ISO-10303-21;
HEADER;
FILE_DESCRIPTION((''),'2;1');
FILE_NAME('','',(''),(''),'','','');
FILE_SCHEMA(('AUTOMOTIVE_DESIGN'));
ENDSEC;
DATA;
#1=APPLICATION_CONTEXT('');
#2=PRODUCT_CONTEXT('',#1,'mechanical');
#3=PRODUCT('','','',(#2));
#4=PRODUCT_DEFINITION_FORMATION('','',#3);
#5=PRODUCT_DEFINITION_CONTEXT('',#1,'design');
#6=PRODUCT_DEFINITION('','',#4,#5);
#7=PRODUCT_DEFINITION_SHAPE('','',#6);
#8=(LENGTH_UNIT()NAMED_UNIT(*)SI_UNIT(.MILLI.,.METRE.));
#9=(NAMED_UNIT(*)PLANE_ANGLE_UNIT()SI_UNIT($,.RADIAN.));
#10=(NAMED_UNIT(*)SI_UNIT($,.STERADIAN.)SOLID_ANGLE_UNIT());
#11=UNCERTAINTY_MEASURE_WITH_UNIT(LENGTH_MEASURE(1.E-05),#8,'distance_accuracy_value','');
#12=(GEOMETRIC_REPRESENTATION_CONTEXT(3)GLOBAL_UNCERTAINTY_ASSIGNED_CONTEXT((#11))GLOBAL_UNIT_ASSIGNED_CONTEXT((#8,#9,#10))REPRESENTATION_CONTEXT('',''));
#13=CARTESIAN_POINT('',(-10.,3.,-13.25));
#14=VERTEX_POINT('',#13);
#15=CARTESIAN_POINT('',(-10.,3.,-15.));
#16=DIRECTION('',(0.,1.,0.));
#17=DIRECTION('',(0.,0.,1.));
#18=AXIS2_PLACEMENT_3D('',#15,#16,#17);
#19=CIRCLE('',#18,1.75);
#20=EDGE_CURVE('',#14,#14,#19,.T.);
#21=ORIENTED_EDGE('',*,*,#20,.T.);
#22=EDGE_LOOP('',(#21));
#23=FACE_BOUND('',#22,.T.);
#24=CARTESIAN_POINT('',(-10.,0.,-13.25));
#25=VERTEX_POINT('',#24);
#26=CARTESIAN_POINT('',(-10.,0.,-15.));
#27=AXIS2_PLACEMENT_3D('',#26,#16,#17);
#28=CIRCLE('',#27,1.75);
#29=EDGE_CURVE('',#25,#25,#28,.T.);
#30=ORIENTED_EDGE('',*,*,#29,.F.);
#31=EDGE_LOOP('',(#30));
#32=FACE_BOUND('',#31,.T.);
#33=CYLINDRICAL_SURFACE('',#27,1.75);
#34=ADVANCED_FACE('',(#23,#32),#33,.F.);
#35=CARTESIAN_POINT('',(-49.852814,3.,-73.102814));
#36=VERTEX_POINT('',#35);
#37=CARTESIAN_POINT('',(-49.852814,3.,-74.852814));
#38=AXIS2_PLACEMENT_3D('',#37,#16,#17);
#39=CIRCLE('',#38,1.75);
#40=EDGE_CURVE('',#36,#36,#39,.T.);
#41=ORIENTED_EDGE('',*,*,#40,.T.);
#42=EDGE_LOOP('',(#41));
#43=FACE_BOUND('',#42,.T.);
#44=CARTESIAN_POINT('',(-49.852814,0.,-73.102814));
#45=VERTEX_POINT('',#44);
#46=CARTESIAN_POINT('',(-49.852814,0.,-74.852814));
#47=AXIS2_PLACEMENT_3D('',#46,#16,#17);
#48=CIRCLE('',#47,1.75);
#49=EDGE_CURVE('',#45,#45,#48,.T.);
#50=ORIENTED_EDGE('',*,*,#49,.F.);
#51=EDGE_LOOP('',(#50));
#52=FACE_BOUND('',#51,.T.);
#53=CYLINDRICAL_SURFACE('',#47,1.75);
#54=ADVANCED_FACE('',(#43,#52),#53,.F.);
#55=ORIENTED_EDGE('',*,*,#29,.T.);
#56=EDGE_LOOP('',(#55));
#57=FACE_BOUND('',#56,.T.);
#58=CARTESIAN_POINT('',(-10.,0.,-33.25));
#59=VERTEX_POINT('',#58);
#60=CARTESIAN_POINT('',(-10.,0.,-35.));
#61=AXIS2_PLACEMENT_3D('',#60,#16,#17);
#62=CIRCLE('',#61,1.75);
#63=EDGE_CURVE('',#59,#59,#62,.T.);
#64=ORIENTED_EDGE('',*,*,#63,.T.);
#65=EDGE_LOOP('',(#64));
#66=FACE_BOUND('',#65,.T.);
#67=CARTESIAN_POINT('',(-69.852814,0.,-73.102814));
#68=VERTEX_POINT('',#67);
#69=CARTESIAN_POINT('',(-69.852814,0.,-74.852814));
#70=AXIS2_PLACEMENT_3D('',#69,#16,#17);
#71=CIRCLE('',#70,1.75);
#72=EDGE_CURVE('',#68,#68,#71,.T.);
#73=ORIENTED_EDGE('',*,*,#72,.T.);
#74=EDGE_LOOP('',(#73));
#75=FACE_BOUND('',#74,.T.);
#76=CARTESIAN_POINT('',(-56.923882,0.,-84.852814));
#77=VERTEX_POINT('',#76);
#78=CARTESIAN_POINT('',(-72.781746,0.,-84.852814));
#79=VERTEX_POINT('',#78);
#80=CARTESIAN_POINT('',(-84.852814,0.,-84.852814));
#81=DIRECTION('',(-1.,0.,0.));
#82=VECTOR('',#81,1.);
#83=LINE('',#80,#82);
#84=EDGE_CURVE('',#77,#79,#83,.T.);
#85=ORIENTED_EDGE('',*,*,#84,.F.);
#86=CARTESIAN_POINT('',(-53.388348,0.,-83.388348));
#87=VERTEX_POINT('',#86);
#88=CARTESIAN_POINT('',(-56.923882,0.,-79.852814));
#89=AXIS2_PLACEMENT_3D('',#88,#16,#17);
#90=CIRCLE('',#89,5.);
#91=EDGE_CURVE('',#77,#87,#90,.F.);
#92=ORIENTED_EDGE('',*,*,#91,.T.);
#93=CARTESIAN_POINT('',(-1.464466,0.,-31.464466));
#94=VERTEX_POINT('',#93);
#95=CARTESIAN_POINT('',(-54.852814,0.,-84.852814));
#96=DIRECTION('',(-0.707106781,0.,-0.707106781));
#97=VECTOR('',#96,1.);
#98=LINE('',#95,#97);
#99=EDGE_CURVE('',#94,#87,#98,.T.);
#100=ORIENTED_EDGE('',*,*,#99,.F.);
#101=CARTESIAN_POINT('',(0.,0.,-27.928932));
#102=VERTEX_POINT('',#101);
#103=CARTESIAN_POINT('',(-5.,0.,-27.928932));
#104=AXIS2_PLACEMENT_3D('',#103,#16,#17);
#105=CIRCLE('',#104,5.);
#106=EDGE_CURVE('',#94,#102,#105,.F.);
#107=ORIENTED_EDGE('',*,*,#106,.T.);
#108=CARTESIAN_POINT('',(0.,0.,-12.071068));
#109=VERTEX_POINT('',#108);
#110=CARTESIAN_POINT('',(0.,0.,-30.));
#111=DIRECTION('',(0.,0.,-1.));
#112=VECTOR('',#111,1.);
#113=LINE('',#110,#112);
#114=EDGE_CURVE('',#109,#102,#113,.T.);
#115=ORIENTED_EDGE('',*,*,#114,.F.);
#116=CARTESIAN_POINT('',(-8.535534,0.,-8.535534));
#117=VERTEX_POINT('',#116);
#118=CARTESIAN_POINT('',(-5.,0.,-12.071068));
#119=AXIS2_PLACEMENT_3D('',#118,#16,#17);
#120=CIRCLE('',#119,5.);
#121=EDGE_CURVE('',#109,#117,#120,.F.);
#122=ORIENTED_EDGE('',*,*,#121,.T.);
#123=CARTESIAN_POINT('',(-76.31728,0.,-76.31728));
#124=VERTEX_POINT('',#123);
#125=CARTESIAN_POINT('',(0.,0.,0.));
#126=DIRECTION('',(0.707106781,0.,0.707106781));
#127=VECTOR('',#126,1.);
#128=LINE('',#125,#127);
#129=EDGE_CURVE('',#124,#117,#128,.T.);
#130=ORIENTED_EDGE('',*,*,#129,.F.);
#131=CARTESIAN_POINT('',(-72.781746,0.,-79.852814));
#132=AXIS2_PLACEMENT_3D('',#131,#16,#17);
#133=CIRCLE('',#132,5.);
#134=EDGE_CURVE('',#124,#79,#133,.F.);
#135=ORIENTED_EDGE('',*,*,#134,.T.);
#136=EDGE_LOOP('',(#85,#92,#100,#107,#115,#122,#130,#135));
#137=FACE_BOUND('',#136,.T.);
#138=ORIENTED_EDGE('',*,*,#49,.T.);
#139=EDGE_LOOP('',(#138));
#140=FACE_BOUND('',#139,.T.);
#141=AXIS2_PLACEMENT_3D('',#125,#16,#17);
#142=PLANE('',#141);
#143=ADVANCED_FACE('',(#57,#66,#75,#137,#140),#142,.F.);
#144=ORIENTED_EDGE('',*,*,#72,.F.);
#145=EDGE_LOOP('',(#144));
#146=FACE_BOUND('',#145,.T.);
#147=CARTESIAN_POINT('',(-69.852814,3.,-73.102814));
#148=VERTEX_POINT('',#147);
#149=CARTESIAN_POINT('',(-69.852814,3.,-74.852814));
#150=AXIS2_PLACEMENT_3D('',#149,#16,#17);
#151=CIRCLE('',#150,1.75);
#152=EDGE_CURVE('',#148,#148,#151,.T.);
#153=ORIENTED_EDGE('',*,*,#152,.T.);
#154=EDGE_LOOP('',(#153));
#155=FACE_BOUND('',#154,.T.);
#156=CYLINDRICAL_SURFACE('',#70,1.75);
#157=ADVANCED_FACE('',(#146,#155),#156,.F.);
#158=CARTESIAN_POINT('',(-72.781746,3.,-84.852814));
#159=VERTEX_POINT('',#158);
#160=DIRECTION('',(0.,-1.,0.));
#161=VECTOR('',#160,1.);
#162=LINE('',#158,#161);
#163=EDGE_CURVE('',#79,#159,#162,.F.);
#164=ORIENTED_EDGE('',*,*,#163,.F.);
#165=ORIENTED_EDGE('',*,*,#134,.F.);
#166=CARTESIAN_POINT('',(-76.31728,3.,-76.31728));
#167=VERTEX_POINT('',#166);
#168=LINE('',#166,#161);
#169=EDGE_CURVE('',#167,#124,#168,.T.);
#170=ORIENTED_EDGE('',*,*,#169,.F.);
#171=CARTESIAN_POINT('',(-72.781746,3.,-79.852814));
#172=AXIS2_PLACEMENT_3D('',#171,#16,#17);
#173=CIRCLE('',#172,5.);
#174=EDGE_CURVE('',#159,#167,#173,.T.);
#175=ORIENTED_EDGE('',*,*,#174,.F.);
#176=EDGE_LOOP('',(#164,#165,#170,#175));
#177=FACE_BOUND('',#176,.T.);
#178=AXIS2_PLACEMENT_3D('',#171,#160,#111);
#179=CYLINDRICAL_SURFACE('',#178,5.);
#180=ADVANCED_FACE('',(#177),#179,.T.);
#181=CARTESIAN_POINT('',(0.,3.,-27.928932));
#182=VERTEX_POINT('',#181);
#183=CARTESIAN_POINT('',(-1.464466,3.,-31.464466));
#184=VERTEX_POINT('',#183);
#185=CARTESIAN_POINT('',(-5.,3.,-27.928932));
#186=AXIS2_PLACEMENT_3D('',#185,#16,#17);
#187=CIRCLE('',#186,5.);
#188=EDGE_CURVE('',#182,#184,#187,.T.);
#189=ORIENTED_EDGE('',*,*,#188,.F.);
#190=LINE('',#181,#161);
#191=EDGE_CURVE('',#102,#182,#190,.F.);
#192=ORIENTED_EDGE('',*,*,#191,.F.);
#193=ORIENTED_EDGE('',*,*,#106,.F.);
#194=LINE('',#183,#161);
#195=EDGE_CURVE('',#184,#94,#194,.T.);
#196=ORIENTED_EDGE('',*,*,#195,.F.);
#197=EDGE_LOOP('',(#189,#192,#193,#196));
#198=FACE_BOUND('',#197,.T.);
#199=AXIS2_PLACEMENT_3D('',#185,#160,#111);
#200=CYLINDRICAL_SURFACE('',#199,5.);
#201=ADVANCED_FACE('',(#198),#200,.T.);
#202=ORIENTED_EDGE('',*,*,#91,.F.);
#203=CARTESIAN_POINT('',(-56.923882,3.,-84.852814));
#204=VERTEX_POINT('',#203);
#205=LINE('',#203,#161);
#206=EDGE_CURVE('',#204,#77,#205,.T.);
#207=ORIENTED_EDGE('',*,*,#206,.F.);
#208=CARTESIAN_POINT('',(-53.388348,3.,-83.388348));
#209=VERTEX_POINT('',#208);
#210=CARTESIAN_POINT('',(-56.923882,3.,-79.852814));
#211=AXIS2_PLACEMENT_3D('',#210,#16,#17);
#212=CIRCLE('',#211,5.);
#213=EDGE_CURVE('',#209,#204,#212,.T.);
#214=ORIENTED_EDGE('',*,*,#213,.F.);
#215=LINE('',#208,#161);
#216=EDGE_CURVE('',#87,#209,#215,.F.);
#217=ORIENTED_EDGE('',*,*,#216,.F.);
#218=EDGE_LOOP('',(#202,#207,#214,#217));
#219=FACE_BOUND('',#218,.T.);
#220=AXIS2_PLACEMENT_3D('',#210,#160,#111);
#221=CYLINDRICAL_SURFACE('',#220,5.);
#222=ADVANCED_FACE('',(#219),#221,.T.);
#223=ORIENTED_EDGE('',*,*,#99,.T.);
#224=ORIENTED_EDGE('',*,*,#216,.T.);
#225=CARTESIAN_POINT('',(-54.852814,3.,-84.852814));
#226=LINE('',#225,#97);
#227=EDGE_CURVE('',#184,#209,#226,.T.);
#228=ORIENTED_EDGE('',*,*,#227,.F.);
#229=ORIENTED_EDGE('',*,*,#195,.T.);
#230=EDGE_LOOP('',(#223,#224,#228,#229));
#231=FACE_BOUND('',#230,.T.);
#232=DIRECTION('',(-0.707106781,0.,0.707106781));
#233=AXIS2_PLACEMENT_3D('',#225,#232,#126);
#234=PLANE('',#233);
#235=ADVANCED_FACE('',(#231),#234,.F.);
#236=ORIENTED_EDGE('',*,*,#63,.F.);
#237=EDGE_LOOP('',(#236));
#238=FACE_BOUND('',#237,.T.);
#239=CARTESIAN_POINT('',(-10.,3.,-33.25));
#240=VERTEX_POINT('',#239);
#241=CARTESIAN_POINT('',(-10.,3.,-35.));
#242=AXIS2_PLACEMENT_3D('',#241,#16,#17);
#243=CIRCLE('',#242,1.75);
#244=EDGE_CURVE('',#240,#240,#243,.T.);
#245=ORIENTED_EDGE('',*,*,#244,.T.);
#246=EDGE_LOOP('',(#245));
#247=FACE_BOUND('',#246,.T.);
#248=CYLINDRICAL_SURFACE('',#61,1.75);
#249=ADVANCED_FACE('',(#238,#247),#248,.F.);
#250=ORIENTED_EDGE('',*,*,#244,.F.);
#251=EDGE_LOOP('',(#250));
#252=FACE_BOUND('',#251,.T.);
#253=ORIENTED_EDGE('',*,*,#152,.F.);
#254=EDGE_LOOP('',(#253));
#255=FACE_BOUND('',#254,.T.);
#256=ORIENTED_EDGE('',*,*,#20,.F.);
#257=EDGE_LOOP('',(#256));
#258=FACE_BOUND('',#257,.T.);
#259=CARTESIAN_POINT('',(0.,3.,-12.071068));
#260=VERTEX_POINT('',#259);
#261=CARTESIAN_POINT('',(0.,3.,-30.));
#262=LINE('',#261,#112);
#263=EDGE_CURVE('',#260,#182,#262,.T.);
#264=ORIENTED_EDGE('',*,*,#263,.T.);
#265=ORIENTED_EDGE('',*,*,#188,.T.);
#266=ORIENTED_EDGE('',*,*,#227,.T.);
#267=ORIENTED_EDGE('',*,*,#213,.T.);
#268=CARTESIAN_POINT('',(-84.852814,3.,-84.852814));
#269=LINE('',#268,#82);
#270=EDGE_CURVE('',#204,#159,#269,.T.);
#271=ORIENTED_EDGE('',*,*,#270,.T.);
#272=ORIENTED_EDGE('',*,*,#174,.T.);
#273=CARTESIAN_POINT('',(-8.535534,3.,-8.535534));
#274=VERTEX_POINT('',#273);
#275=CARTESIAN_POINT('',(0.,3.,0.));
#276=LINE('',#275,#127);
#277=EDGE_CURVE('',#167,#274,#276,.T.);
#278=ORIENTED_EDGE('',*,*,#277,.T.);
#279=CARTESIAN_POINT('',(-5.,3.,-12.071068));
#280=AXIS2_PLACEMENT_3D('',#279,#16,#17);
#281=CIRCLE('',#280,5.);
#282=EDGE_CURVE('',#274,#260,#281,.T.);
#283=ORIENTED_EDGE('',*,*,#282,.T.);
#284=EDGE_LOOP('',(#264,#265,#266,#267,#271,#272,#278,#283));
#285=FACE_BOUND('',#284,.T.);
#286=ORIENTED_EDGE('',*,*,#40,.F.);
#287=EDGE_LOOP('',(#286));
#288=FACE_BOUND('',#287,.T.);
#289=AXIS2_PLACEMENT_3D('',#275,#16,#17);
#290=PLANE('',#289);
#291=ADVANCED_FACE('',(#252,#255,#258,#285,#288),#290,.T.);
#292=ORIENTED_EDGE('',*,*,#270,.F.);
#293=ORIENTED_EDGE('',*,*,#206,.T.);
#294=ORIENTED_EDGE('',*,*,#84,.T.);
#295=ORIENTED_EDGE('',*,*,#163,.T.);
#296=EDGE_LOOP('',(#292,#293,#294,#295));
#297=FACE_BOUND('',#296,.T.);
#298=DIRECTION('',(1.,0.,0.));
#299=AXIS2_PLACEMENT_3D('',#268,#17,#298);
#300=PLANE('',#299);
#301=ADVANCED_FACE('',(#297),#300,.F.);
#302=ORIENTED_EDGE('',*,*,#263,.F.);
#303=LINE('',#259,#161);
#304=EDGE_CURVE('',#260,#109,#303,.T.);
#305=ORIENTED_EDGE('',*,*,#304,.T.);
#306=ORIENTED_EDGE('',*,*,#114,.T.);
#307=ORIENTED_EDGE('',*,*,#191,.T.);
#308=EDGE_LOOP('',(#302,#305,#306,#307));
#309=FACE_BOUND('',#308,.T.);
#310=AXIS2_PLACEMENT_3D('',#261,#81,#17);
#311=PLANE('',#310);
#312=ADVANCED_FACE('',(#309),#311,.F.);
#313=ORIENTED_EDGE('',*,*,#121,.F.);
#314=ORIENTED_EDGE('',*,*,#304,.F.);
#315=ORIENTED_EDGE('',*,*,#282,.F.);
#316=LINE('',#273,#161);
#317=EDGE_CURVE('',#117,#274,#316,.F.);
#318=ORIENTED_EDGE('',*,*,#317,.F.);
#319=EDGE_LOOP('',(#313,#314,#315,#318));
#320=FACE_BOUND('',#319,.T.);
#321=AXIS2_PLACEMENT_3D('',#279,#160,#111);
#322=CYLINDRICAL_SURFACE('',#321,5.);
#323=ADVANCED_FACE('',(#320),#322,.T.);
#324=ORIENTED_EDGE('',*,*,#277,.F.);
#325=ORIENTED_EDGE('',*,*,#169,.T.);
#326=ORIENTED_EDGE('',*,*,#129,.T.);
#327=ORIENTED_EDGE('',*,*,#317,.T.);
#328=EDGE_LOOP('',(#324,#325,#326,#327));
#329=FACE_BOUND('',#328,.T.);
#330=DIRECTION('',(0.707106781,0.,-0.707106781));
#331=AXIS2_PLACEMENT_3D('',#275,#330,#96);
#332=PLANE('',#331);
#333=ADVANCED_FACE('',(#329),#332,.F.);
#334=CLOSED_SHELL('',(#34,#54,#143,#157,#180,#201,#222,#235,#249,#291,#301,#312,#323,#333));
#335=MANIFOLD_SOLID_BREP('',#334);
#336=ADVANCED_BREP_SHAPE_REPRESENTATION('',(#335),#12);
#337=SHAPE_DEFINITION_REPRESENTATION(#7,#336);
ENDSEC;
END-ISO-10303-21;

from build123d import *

# Parameters (mm, degrees)
BOSS_EXTRUDE1_DEPTH = 3
SKETCH2_R           = 1.75
CUT_EXTRUDE1_DEPTH  = 121.037494142
FILLET2_R           = 5


with BuildPart() as part:
    # Sketch1 → Boss-Extrude1 (new body)
    with BuildSketch(Plane(origin=(0, 0, 0), x_dir=(1, 0, 0), z_dir=(0, 1, 0))):
        Polygon((0, 0), (-84.852813742, 84.852813742), (-54.852813742, 84.852813742), (0, 30), align=None)
    extrude(amount=BOSS_EXTRUDE1_DEPTH)

    # Sketch2 → Cut-Extrude1 (cut, through all)
    with BuildSketch(Plane(origin=(0, 3, 0), x_dir=(1, 0, 0), z_dir=(0, 1, 0))):
        with Locations(Location((-69.852813742, 74.852813742, 0), (0, 0, 270))):
            Circle(SKETCH2_R)
        with Locations(Location((-49.852813742, 74.852813742, 0), (0, 0, 270))):
            Circle(SKETCH2_R)
        with Locations(Location((-10, 15, 0), (0, 0, 270))):
            Circle(SKETCH2_R)
        with Locations(Location((-10, 35, 0), (0, 0, 270))):
            Circle(SKETCH2_R)
    extrude(amount=-CUT_EXTRUDE1_DEPTH, mode=Mode.SUBTRACT)

    # Fillet2
    fillet2_edges = [part.edges().sort_by_distance(p)[0] for p in [
        (0, 1.5, 0),
        (-84.852813742, 1.5, -84.852813742),
        (-54.852813742, 1.5, -84.852813742),
        (0, 1.5, -30),
    ]]
    fillet(fillet2_edges, radius=FILLET2_R)


solid = part.part
